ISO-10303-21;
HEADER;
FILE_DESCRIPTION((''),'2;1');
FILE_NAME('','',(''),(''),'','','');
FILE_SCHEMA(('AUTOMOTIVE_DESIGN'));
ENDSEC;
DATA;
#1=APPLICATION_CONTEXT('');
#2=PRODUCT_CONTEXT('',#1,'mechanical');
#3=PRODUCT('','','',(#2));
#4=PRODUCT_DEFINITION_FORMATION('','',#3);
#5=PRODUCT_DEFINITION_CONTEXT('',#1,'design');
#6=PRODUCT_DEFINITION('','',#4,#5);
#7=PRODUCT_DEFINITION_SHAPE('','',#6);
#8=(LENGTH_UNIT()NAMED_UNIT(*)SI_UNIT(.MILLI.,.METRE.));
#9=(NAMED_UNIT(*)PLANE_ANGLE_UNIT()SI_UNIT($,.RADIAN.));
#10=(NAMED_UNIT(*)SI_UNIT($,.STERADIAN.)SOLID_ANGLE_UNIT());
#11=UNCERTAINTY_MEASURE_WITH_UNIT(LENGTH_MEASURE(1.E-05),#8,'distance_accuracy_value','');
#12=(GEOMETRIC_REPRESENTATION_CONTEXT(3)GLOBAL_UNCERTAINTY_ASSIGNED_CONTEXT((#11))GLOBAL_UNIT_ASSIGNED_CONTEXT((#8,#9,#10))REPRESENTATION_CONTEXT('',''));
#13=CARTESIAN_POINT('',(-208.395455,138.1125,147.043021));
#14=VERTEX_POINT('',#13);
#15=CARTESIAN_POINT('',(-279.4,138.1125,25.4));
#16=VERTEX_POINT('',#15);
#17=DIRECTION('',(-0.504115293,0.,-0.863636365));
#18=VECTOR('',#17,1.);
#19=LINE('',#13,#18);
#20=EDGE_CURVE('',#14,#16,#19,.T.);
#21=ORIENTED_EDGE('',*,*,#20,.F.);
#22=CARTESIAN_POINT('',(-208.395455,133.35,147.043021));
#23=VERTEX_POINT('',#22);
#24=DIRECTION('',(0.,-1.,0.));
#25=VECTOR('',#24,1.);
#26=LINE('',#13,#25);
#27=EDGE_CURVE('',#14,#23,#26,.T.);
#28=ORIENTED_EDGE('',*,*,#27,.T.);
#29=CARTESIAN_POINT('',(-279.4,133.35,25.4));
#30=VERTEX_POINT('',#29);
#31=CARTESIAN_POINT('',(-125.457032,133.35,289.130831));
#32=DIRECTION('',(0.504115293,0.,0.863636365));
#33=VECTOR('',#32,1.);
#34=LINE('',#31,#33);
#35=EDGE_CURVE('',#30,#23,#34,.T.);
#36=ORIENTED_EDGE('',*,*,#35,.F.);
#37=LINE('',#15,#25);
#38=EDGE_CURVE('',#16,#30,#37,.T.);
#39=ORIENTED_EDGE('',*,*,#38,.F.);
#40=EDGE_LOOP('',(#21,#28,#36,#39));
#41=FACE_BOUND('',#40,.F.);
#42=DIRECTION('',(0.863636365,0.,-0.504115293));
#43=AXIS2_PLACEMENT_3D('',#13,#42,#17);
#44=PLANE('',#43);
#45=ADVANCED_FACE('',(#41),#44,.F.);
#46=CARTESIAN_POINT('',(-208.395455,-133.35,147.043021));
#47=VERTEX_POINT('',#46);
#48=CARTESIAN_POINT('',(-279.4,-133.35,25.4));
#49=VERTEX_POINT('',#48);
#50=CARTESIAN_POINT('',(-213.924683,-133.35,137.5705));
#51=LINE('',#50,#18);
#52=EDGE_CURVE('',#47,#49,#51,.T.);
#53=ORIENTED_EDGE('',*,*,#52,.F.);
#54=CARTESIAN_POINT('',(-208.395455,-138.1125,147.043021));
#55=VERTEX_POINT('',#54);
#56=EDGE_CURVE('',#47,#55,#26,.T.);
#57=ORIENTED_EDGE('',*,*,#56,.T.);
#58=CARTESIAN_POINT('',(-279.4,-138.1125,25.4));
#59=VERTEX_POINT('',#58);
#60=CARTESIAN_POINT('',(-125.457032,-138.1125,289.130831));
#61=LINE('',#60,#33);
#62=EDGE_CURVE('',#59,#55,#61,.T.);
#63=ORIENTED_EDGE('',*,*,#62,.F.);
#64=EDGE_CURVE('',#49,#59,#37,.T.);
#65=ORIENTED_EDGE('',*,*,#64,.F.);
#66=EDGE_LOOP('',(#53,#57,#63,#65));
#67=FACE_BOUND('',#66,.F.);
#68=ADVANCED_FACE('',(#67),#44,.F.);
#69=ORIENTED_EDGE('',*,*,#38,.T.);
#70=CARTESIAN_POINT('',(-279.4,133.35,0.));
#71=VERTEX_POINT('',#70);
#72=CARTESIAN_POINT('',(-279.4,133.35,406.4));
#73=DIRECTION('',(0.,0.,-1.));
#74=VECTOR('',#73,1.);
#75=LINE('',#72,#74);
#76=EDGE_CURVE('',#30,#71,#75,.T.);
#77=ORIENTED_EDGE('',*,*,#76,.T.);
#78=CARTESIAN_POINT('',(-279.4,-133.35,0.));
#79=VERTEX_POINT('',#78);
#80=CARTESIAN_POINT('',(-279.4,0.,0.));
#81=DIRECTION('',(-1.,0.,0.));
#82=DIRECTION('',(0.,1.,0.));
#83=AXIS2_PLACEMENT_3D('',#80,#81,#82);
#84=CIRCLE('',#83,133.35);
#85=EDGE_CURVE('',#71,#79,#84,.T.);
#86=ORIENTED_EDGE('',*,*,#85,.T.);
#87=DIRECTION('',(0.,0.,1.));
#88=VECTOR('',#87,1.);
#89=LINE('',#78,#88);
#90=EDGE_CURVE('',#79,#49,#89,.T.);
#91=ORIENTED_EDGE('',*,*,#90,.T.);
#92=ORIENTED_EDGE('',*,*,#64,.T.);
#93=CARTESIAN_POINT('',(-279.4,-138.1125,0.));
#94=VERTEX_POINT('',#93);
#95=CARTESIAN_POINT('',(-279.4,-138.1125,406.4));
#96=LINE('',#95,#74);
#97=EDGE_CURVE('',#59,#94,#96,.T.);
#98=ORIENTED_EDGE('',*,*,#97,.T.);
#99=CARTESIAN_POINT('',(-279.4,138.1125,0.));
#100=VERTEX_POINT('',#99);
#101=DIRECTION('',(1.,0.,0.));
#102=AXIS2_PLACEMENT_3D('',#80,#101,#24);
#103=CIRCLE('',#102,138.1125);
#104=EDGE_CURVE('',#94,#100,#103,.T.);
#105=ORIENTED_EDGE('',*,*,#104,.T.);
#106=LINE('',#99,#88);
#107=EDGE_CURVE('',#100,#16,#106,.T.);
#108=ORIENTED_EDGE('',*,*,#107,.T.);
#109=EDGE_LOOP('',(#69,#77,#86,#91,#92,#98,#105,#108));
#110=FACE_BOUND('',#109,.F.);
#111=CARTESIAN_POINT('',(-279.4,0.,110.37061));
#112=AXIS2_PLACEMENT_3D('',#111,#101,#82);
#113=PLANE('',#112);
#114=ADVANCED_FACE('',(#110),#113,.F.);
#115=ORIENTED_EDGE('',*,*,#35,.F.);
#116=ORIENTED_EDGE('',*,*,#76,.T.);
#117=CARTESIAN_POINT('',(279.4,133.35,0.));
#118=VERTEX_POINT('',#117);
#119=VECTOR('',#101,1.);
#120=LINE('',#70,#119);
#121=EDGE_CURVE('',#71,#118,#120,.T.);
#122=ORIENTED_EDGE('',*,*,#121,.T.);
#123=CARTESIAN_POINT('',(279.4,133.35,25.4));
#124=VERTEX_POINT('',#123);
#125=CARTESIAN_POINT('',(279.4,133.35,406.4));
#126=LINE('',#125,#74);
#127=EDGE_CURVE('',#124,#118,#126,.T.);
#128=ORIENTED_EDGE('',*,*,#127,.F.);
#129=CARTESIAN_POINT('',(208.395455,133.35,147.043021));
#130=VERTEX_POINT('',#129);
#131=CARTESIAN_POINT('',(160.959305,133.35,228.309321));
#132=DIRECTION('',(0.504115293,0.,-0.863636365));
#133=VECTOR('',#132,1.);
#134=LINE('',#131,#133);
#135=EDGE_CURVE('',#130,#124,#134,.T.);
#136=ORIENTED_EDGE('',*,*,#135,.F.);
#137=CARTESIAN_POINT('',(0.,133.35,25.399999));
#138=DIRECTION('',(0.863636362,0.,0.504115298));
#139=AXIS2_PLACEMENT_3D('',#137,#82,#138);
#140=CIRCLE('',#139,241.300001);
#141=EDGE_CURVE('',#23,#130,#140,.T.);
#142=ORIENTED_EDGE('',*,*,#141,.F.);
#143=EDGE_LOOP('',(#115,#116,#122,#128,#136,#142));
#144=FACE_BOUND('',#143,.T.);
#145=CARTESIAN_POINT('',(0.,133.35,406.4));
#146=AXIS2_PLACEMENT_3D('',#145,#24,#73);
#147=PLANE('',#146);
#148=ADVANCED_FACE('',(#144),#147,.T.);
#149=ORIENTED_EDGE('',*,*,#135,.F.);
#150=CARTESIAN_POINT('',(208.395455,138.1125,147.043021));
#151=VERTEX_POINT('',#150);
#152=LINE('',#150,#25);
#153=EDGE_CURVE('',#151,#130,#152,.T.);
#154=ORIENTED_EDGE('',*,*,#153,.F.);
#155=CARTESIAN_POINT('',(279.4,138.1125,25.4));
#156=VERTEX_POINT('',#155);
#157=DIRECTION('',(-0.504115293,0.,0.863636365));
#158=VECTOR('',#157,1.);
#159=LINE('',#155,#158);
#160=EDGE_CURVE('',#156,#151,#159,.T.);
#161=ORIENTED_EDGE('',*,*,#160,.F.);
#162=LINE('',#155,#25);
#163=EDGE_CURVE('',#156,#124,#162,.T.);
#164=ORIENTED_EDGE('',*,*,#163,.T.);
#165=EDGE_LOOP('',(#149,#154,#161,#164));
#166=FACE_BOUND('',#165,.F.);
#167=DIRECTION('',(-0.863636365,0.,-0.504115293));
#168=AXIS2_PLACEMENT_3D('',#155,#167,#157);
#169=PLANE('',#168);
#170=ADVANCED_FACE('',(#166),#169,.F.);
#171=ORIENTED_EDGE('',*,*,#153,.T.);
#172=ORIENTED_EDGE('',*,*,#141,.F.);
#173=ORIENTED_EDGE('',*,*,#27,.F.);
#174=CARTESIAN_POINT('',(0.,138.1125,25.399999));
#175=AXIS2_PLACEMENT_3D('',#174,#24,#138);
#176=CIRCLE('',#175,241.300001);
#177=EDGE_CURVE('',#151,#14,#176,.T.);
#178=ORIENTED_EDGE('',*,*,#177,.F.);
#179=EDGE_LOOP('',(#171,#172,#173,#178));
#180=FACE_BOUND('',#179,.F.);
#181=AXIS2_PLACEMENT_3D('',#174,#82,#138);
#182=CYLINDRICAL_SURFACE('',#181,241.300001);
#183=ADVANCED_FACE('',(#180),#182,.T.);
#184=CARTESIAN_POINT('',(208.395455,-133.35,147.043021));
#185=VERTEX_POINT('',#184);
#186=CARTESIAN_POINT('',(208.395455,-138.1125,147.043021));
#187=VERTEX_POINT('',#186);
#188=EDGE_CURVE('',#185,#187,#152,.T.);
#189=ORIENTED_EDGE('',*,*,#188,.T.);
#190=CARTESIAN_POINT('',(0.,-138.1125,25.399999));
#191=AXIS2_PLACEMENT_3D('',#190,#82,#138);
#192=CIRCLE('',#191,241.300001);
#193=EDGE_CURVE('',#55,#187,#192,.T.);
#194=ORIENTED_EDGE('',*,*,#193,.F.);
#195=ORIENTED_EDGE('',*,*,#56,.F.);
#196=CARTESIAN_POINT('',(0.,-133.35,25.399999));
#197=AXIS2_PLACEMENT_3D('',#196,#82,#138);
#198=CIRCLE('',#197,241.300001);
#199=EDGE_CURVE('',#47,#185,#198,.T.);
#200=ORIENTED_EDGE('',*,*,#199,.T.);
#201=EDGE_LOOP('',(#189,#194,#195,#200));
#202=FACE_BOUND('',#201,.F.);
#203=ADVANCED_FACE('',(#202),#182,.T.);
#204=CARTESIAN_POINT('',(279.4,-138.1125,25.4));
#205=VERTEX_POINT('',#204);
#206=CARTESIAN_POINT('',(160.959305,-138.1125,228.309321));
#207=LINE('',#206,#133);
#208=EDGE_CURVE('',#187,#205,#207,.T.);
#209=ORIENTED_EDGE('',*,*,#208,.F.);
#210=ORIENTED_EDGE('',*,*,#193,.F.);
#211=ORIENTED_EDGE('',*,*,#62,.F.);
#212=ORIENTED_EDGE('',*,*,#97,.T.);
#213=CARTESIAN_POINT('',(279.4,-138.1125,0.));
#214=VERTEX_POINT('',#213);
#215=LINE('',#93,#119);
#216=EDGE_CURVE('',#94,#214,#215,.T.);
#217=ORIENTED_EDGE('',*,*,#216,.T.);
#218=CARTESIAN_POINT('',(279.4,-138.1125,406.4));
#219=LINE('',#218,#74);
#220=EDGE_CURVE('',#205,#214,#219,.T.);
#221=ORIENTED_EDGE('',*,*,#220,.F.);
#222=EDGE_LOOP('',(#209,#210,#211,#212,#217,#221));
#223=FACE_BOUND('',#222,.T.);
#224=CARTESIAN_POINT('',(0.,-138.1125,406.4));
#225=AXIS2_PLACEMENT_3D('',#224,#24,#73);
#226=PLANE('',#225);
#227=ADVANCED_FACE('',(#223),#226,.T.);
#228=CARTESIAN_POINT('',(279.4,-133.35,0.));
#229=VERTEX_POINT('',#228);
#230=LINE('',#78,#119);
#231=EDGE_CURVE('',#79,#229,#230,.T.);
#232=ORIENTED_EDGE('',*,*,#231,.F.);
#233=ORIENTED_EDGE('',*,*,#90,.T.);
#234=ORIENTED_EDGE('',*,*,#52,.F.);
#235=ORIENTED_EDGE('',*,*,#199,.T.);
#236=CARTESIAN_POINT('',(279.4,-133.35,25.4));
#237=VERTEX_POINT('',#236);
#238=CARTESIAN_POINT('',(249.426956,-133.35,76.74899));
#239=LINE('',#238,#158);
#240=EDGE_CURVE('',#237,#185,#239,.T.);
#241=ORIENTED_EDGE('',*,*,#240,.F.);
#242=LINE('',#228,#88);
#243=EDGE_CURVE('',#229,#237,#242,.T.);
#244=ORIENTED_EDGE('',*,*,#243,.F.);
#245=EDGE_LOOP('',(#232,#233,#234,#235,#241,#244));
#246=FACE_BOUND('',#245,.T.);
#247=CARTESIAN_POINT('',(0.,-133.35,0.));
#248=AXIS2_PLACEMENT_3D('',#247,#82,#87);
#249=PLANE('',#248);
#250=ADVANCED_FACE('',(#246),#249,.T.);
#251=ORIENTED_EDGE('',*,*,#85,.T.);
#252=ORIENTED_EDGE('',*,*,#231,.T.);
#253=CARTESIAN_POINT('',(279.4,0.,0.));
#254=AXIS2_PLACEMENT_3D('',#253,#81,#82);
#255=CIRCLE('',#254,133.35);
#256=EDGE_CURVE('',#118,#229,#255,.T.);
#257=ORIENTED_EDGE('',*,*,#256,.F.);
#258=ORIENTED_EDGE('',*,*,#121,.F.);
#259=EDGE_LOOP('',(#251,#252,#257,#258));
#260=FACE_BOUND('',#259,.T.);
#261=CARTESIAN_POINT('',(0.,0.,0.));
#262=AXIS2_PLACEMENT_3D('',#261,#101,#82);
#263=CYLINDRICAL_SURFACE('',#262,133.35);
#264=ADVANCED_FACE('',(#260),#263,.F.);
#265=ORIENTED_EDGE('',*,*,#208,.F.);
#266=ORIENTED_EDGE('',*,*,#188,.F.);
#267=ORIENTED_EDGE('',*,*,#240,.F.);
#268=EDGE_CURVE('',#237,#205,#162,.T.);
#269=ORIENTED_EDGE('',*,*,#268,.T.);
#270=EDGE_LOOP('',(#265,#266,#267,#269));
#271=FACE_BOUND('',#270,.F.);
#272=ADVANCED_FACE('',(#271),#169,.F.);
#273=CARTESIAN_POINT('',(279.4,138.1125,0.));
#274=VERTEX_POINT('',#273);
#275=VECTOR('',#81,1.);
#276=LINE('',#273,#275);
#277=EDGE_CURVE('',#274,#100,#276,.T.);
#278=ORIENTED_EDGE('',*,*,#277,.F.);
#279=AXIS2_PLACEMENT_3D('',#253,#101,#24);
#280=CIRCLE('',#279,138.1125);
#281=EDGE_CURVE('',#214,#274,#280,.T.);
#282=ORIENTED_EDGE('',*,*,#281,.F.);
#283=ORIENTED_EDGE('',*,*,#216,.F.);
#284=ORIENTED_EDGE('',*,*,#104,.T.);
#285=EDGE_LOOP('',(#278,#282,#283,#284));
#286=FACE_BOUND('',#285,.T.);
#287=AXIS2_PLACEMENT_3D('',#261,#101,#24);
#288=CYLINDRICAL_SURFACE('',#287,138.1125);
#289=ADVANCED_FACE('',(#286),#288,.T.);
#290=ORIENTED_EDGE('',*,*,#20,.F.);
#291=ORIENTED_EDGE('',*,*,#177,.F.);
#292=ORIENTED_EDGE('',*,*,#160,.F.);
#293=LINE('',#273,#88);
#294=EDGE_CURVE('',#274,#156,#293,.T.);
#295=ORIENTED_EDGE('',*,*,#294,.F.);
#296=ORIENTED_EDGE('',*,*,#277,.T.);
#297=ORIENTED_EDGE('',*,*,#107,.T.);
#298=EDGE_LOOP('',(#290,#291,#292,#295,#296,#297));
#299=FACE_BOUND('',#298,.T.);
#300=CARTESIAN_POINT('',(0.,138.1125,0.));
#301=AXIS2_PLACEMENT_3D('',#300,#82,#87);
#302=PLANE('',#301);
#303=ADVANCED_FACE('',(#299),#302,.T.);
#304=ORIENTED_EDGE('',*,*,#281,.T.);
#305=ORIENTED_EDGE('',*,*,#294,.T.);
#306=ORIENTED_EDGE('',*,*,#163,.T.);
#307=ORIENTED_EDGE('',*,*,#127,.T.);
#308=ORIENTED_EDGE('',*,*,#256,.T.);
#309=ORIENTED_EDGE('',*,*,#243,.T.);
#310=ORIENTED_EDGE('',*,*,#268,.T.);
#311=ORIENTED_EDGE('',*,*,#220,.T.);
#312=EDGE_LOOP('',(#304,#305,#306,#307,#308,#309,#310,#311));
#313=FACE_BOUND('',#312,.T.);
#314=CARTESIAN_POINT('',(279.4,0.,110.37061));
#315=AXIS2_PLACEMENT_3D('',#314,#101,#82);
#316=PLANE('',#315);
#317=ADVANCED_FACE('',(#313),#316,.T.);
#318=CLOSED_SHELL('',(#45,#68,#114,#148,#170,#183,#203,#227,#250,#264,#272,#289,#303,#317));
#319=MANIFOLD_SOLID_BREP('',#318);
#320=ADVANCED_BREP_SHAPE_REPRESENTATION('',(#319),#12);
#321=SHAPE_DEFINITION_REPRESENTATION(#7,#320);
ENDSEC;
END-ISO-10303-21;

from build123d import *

# Parameters (mm, degrees)
F1_DEPTH = 279.4
F3_DEPTH = 276.226


with BuildPart() as f1:
    # F0 (on Right) → F1 (new body, symmetric)
    with BuildSketch(Plane.YZ):
        with BuildLine():
            Line((133.35, 406.4), (133.35, 0))
            ThreePointArc((133.35, 0), (0, -133.35), (-133.35, 0))
            Line((-133.35, 0), (-133.35, 406.4))
            Line((-133.35, 406.4), (-138.1125, 406.4))
            Line((-138.1125, 406.4), (-138.1125, 0))
            ThreePointArc((-138.1125, 0), (0, -138.1125), (138.1125, 0))
            Line((138.1125, 0), (138.1125, 406.4))
            Line((138.1125, 406.4), (133.35, 406.4))
        make_face()
    extrude(amount=F1_DEPTH, both=True)

    # F2 (on face) → F3 (cut, through all)
    with BuildSketch(Plane(origin=(0, 138.1125, 0), x_dir=(-1, 0, 0), z_dir=(0, 1, 0))):
        with BuildLine():
            ThreePointArc((-208.395455, 147.043021), (0, 266.7), (208.395455, 147.043021))
            Line((208.395455, 147.043021), (279.4, 25.4))
            Line((279.4, 25.4), (279.4, 406.4))
            Line((279.4, 406.4), (-279.4, 406.4))
            Line((-279.4, 406.4), (-279.4, 25.4))
            Line((-279.4, 25.4), (-208.395455, 147.043021))
        make_face()
    extrude(amount=-F3_DEPTH, mode=Mode.SUBTRACT)


solid = f1.part
